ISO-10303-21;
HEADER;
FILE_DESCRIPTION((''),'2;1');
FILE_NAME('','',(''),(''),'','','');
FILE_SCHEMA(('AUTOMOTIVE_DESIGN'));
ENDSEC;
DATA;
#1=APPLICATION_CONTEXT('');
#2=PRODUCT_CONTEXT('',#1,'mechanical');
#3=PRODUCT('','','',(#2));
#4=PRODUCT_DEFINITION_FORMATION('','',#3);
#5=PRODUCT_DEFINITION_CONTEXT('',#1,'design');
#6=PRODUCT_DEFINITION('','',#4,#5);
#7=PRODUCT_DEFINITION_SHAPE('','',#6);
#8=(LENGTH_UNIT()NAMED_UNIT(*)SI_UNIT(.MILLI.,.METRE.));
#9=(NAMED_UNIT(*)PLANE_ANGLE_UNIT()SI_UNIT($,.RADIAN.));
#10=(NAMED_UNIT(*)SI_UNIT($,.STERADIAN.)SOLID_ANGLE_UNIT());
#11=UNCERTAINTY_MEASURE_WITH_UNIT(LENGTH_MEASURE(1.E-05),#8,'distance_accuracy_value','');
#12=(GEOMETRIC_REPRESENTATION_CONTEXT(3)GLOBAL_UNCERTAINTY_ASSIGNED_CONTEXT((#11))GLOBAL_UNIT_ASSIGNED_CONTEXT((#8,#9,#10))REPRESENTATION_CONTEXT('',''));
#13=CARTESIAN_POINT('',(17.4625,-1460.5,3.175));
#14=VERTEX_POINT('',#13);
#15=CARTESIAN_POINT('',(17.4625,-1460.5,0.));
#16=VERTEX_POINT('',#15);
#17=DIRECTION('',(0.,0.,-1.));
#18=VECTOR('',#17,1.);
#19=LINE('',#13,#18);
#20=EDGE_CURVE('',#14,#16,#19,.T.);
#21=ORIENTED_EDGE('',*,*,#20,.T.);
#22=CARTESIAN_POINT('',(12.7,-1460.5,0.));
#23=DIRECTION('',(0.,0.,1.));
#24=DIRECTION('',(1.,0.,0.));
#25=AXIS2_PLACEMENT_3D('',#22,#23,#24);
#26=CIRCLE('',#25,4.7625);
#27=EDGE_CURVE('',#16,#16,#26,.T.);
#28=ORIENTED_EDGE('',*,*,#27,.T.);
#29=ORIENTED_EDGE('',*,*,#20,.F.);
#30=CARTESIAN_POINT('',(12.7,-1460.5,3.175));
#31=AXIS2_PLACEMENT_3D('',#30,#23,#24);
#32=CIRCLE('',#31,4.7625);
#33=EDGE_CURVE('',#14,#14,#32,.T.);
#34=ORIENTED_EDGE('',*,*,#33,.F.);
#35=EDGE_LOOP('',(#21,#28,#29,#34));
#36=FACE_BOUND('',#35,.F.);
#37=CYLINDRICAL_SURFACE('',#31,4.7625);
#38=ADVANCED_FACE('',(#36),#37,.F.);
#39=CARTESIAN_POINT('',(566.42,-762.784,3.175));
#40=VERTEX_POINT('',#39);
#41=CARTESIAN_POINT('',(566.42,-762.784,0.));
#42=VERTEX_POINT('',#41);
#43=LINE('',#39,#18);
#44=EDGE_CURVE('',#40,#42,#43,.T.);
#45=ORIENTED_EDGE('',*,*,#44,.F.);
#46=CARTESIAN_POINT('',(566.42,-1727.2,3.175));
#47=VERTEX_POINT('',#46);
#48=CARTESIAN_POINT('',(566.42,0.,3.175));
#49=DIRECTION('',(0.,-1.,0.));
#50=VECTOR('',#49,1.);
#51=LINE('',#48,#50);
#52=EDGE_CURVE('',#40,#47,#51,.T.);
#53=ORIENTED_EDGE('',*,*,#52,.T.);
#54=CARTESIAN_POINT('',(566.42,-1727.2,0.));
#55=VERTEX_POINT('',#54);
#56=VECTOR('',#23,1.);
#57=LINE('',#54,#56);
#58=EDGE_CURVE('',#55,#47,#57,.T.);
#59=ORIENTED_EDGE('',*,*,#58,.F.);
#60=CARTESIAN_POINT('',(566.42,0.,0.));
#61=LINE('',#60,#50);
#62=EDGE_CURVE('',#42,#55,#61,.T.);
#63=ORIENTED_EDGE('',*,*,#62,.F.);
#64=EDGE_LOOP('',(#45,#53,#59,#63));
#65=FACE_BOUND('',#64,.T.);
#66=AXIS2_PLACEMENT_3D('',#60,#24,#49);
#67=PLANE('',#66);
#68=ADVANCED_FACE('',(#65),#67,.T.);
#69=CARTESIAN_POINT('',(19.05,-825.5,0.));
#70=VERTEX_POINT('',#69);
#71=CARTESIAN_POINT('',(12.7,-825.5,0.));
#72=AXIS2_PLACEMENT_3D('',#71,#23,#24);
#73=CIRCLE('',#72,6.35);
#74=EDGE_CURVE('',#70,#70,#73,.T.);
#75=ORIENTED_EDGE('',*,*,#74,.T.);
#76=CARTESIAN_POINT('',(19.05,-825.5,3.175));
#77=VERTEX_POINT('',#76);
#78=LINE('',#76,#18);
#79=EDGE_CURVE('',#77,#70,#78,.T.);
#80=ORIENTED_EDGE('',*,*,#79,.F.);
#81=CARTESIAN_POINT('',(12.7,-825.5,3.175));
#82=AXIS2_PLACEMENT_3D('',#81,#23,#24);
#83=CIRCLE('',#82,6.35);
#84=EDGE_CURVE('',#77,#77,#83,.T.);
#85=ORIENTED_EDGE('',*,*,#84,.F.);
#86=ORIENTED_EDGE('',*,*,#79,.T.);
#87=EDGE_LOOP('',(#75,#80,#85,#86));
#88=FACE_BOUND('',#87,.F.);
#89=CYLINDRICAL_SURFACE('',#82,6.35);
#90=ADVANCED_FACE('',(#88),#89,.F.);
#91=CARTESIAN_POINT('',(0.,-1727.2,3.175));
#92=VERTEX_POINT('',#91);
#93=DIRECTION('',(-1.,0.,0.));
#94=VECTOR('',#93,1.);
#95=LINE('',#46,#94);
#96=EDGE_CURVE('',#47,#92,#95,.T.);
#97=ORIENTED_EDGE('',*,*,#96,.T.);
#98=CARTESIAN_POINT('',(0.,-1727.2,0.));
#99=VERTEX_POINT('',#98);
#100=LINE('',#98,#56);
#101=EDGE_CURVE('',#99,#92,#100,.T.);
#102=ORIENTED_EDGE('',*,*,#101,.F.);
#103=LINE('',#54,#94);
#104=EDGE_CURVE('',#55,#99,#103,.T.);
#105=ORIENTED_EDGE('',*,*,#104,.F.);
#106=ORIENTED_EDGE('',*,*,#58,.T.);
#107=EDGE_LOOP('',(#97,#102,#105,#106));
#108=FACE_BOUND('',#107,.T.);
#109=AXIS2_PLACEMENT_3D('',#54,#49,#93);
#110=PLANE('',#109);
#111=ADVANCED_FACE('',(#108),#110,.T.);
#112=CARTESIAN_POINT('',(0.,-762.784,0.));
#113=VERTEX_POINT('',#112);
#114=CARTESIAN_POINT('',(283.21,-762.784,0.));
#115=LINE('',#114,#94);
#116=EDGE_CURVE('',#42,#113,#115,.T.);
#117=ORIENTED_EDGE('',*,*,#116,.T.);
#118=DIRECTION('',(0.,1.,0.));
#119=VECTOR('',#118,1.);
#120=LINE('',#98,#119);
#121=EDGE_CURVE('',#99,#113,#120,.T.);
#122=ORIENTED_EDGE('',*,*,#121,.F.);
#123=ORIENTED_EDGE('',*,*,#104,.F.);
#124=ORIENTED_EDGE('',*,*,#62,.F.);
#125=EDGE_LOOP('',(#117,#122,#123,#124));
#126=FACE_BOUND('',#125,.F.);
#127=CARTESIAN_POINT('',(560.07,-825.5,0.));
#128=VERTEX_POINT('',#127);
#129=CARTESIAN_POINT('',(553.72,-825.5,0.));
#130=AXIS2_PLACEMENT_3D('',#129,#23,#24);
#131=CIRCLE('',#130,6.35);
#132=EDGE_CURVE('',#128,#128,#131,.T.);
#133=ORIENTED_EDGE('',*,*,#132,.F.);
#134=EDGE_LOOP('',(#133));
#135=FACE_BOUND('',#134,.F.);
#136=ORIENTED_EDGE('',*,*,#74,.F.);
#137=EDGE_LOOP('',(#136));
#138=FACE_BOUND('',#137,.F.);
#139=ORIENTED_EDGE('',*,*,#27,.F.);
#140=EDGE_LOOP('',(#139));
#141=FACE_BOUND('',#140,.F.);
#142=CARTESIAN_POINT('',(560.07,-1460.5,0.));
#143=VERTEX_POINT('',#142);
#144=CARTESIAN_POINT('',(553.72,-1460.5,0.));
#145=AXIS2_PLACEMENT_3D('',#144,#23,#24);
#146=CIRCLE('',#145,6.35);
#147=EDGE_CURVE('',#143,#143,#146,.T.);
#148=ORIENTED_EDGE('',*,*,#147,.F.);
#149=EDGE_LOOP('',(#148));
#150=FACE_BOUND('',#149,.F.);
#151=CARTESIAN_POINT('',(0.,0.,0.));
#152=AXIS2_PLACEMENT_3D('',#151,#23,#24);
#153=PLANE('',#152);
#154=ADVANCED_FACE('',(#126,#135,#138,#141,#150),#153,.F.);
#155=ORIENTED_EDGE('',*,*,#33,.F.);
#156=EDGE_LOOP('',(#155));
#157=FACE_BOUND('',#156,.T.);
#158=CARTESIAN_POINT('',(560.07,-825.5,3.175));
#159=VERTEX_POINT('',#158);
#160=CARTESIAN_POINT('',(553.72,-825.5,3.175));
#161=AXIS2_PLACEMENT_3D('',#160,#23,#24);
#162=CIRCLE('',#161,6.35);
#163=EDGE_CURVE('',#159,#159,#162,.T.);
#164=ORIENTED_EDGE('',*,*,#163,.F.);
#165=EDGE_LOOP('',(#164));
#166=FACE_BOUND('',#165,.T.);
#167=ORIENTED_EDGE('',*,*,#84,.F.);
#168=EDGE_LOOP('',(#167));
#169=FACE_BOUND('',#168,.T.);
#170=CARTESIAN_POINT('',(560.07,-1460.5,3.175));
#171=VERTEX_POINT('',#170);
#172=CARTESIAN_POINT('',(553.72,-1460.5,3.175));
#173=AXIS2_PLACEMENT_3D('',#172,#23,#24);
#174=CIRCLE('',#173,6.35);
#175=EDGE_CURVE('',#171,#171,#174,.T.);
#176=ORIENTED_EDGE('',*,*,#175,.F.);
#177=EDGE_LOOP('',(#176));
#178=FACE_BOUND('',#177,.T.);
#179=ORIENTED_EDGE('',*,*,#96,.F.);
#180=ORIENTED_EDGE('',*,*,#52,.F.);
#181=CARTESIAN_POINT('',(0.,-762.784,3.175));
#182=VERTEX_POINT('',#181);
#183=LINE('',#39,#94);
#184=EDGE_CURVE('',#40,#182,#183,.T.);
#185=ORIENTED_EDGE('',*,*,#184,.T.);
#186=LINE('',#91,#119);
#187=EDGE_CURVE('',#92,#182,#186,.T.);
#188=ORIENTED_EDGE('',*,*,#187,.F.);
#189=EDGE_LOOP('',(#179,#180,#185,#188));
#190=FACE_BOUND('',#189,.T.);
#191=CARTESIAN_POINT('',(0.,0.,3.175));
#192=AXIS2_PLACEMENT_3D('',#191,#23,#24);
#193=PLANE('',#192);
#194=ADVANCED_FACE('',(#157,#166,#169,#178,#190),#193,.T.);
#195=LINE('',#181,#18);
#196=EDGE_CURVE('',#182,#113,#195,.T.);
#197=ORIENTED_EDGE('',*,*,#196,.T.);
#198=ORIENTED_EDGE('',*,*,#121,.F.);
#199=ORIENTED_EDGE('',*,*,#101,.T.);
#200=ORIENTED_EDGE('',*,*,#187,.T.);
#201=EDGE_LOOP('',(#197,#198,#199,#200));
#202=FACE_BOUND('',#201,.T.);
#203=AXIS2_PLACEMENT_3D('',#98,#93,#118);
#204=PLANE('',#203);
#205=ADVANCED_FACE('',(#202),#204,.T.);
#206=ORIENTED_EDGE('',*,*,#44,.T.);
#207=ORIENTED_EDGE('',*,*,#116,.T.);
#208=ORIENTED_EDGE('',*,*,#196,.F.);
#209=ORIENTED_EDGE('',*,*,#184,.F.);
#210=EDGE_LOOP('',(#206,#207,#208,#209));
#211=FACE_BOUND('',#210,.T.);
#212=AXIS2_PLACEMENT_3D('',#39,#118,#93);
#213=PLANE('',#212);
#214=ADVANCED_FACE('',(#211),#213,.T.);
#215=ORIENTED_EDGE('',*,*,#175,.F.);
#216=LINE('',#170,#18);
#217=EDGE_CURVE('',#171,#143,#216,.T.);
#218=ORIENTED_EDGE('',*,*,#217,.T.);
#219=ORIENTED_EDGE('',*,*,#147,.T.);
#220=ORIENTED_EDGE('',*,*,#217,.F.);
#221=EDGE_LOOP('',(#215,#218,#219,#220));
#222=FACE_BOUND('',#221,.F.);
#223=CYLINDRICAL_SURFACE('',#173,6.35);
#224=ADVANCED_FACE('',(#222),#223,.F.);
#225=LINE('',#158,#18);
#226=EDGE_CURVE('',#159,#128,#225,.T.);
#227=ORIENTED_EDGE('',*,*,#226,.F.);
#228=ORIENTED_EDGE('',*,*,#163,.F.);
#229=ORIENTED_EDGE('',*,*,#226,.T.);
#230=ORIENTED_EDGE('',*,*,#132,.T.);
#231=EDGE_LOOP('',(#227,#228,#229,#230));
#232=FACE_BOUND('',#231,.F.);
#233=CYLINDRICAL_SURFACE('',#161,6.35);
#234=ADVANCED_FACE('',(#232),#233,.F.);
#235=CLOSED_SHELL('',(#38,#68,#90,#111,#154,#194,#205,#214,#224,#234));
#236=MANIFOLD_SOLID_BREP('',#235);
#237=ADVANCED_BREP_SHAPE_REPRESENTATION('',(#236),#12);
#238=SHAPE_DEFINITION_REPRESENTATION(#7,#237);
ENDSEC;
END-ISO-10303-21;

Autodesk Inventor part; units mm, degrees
ref_plane "YZ Plane" through (0, 0, 0) normal (1, 0, 0) x (0, 1, 0)
ref_plane "XZ Plane" through (0, 0, 0) normal (0, 1, 0) x (-1, 0, 0)
ref_plane "XY Plane" through (0, 0, 0) normal (0, 0, 1) x (1, 0, 0)
sketch "Sketch2" plane through (0, 0, 0) normal (0, 0, 1) x (1, 0, 0)
  line L0 (0, 0) -> (566.42, 0)
  line L1 (566.42, 0) -> (566.42, -1727.2)
  line L2 (566.42, -1727.2) -> (0, -1727.2)
  line L3 (0, -1727.2) -> (0, 0)
  dimension "d0" = 566.42
  dimension "d1" = 1727.2
extrude "Extrusion1" add sketch "Sketch2" along normal blind 3.175
sketch "Sketch4" plane through (0, 0, 3.175) normal (0, 0, 1) x (1, 0, 0)
  line L0 (566.42, 0) -> (0, 0) projected
  line L1 (0, 0) -> (0, -1727.2) projected
  line L2 (0, -1727.2) -> (566.42, -1727.2) projected
  line L3 (566.42, -1727.2) -> (566.42, 0) projected
  line L4 (0, -1727.2) -> (566.42, -1727.2) projected
  line L5 (68.58, -1727.2) -> (500.38, -1727.2)
  circle A0 centre (68.58, -1391.92) radius 12.7
  circle A1 centre (500.38, -1391.92) radius 12.7
  circle A2 centre (68.58, -1727.2) radius 12.7
  circle A3 centre (500.38, -1727.2) radius 12.7
  dimension "d6" = 25.4
  dimension "d7" = 25.4
  dimension "d8" = 25.4
  dimension "d9" = 25.4
extrude "Extrusion2" add sketch "Sketch4" along normal blind 3.175 contours A0 | A1
sketch "Sketch6" plane through (0, 0, 3.175) normal (0, 0, 1) x (1, 0, 0)
  circle A0 centre (12.7, -1460.5) radius 3.175 projected
  circle A1 centre (553.72, -1460.5) radius 3.175 projected
  circle A2 centre (553.72, -1460.5) radius 4.7625
  circle A3 centre (12.7, -1460.5) radius 4.7625
  point P0 (0, 0)
  dimension "d16" = 9.525
  dimension "d17" = 9.525
extrude "Extrusion4" cut sketch "Sketch6" against normal through all contours A0 | A1 | A2 | A3
sketch "Sketch7" plane through (0, 0, 3.175) normal (0, 0, 1) x (1, 0, 0)
  circle A0 centre (12.7, -1460.5) radius 4.7625 projected
  circle A1 centre (12.7, -1460.5) radius 6.35
  circle A2 centre (553.72, -1460.5) radius 4.7625 projected
  circle A3 centre (553.72, -1460.5) radius 6.35
  point P0 (0, 0)
  dimension "d20" = 12.7
  dimension "d21" = 12.7
extrude "Extrusion5" cut sketch "Sketch7" against normal blind 12.7 contours A3
sketch "Sketch9" plane through (0, 0, 3.175) normal (0, 0, 1) x (1, 0, 0)
  circle A0 centre (553.72, -825.5) radius 6.35 projected
  circle A1 centre (12.7, -825.5) radius 6.35 projected
  circle A2 centre (12.7, -825.5) radius 6.35
  circle A3 centre (553.72, -825.5) radius 6.35
  point P0 (0, 0)
extrude "Extrusion7" cut sketch "Sketch9" against normal blind 3.175
sketch "Sketch10" plane through (0, 0, 3.175) normal (0, 0, 1) x (1, 0, 0)
  line L0 (566.42, 0) -> (566.42, -1727.2) projected
  line L1 (0, -1732.8892) -> (566.42, -1732.8892)
  line L2 (566.42, -1732.8892) -> (566.42, -1054.0894)
  line L3 (566.42, -1054.0894) -> (0, -1054.0894)
  line L4 (0, -1054.0894) -> (0, -1732.8892)
  point P0 (0, 0)
extrude "Extrusion8" cut sketch "Sketch10" along normal blind 25.4
sketch "Sketch13" plane through (0, 0, 3.175) normal (0, 0, 1) x (1, 0, 0)
  line L0 (566.42, -1727.2) -> (566.42, 0) projected
  line L1 (0, -1727.2) -> (566.42, -1727.2)
  line L2 (566.42, -1727.2) -> (566.42, -762.784)
  line L3 (566.42, -762.784) -> (0, -762.784)
  line L4 (0, -762.784) -> (0, -1727.2)
  line L5 (0, -762.784) -> (566.42, -762.784)
  line L6 (566.42, -762.784) -> (566.42, 0)
  line L7 (566.42, 0) -> (0, 0)
  line L8 (0, 0) -> (0, -762.784)
extrude "Extrusion10" cut sketch "Sketch13" against normal blind 25.4 contours L3 L8 L7 L0
equation "\"d22\" = d20"
properties part number "Electronics plate top"
